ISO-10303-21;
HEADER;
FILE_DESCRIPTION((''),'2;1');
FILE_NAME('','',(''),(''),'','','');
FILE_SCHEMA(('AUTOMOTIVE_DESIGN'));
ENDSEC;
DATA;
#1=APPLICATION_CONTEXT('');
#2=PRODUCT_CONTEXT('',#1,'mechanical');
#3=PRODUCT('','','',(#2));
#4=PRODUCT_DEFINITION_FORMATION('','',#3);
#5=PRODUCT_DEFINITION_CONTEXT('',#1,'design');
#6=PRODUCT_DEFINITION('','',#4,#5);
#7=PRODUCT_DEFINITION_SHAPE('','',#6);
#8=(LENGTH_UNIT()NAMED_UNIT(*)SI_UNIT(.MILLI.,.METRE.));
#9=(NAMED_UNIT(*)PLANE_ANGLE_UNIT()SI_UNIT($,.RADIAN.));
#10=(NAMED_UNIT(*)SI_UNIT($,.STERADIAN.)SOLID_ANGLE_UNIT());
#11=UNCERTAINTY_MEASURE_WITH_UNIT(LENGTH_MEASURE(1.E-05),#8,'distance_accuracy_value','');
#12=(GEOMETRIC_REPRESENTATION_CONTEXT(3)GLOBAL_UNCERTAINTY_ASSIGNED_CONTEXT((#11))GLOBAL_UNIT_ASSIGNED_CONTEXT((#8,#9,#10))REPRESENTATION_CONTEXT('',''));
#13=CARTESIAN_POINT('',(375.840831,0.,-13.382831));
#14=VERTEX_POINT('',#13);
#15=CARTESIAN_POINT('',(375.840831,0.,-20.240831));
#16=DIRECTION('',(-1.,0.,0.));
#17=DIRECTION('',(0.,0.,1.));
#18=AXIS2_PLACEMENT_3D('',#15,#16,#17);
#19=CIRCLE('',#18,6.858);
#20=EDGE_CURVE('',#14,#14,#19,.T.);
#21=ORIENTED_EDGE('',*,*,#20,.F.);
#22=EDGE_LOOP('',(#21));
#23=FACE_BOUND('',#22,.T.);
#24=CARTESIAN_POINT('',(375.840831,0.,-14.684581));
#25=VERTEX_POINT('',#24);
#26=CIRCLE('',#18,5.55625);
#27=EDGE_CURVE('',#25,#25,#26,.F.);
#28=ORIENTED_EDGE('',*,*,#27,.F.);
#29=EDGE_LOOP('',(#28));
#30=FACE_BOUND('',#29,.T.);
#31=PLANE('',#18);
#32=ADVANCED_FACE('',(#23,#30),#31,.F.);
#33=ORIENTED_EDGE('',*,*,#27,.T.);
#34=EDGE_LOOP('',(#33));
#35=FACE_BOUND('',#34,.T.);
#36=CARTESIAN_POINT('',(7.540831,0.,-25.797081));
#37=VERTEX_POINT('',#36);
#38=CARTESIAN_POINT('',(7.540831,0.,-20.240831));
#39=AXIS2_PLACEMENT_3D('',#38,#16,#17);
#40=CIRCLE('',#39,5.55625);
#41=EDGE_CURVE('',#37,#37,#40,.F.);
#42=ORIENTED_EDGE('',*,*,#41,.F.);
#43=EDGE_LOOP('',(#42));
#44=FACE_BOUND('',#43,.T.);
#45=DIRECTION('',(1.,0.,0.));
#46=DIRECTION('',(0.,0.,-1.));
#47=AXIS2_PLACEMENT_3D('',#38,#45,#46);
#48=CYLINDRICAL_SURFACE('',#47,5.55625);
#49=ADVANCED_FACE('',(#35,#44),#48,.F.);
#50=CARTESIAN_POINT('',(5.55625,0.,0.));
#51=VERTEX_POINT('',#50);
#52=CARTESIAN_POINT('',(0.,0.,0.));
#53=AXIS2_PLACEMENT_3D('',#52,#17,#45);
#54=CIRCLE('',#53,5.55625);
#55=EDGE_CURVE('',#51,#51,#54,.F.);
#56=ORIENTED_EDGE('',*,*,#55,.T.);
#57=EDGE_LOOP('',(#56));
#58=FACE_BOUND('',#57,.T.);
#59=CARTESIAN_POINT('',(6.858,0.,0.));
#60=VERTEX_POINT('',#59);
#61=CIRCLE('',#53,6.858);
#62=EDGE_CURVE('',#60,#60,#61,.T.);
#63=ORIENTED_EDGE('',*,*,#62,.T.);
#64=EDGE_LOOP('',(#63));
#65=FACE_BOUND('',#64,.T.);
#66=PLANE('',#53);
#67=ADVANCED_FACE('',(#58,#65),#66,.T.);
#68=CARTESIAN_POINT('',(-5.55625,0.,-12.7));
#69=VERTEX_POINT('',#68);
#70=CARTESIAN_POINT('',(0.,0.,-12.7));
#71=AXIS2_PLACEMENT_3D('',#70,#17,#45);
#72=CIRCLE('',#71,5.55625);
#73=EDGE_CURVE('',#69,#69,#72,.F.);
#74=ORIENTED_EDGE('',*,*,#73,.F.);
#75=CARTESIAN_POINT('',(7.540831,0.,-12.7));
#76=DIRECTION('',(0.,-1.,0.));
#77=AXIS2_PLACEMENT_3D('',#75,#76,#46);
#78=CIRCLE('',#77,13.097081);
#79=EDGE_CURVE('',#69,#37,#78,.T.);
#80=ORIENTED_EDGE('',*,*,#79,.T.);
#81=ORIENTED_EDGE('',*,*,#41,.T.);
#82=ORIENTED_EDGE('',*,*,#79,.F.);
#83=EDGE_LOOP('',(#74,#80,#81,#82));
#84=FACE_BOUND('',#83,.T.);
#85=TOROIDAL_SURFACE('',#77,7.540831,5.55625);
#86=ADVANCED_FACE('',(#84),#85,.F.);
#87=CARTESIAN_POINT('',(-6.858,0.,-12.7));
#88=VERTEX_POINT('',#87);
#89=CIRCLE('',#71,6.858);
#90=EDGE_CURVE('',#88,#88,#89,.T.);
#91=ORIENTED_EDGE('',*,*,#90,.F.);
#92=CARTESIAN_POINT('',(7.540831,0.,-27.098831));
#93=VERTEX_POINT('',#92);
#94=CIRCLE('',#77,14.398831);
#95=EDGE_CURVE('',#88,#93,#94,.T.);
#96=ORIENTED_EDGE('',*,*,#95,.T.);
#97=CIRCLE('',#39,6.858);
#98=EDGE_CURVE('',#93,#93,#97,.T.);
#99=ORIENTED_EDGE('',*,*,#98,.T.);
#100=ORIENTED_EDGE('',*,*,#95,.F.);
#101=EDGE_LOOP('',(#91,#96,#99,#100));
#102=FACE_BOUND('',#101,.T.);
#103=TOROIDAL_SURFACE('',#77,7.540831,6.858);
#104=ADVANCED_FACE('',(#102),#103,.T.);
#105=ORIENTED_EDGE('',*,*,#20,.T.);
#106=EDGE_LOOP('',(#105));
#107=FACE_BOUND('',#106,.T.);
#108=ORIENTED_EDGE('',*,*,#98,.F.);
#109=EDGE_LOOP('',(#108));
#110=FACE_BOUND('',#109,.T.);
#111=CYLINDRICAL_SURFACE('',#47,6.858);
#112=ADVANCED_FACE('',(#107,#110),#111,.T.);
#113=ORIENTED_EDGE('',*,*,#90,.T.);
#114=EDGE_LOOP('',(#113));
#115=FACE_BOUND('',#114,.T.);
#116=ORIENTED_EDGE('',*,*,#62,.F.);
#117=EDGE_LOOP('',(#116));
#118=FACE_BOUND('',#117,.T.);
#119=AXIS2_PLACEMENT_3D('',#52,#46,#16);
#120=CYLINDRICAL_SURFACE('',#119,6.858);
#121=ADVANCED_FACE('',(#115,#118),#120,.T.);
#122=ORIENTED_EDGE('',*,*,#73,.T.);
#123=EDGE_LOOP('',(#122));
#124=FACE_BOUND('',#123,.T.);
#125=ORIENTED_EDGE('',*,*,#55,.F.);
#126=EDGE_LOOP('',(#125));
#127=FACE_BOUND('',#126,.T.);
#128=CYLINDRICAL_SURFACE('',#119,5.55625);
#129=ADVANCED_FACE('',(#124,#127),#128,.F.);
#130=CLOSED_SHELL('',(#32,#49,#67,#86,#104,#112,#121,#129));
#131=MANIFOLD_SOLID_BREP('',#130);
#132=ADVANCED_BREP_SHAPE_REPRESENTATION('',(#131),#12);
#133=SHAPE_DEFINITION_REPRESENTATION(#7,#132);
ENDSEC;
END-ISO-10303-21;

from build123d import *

# Parameters (mm, degrees)
SKETCH1_R   = 6.858
SKETCH1_R_2 = 5.55625


with BuildPart() as part:
    # Sweep1: sweep along a path in Sketch2
    with BuildLine(Plane(origin=(0, 0, 0), x_dir=(1, 0, 0), z_dir=(0, 1, 0))) as sweep1_path:
        Line((0, 0), (0, 12.7))
        ThreePointArc((0, 12.7), (2.208658133, 18.03217242), (7.540830553, 20.240830553))
        Line((7.540830553, 20.240830553), (375.840830553, 20.240830553))
    # Sketch1 → Sweep1 (sweep)
    with BuildSketch(Plane.XY):
        Circle(SKETCH1_R)
        Circle(SKETCH1_R_2, mode=Mode.SUBTRACT)
    sweep(path=sweep1_path.line)


solid = part.part
